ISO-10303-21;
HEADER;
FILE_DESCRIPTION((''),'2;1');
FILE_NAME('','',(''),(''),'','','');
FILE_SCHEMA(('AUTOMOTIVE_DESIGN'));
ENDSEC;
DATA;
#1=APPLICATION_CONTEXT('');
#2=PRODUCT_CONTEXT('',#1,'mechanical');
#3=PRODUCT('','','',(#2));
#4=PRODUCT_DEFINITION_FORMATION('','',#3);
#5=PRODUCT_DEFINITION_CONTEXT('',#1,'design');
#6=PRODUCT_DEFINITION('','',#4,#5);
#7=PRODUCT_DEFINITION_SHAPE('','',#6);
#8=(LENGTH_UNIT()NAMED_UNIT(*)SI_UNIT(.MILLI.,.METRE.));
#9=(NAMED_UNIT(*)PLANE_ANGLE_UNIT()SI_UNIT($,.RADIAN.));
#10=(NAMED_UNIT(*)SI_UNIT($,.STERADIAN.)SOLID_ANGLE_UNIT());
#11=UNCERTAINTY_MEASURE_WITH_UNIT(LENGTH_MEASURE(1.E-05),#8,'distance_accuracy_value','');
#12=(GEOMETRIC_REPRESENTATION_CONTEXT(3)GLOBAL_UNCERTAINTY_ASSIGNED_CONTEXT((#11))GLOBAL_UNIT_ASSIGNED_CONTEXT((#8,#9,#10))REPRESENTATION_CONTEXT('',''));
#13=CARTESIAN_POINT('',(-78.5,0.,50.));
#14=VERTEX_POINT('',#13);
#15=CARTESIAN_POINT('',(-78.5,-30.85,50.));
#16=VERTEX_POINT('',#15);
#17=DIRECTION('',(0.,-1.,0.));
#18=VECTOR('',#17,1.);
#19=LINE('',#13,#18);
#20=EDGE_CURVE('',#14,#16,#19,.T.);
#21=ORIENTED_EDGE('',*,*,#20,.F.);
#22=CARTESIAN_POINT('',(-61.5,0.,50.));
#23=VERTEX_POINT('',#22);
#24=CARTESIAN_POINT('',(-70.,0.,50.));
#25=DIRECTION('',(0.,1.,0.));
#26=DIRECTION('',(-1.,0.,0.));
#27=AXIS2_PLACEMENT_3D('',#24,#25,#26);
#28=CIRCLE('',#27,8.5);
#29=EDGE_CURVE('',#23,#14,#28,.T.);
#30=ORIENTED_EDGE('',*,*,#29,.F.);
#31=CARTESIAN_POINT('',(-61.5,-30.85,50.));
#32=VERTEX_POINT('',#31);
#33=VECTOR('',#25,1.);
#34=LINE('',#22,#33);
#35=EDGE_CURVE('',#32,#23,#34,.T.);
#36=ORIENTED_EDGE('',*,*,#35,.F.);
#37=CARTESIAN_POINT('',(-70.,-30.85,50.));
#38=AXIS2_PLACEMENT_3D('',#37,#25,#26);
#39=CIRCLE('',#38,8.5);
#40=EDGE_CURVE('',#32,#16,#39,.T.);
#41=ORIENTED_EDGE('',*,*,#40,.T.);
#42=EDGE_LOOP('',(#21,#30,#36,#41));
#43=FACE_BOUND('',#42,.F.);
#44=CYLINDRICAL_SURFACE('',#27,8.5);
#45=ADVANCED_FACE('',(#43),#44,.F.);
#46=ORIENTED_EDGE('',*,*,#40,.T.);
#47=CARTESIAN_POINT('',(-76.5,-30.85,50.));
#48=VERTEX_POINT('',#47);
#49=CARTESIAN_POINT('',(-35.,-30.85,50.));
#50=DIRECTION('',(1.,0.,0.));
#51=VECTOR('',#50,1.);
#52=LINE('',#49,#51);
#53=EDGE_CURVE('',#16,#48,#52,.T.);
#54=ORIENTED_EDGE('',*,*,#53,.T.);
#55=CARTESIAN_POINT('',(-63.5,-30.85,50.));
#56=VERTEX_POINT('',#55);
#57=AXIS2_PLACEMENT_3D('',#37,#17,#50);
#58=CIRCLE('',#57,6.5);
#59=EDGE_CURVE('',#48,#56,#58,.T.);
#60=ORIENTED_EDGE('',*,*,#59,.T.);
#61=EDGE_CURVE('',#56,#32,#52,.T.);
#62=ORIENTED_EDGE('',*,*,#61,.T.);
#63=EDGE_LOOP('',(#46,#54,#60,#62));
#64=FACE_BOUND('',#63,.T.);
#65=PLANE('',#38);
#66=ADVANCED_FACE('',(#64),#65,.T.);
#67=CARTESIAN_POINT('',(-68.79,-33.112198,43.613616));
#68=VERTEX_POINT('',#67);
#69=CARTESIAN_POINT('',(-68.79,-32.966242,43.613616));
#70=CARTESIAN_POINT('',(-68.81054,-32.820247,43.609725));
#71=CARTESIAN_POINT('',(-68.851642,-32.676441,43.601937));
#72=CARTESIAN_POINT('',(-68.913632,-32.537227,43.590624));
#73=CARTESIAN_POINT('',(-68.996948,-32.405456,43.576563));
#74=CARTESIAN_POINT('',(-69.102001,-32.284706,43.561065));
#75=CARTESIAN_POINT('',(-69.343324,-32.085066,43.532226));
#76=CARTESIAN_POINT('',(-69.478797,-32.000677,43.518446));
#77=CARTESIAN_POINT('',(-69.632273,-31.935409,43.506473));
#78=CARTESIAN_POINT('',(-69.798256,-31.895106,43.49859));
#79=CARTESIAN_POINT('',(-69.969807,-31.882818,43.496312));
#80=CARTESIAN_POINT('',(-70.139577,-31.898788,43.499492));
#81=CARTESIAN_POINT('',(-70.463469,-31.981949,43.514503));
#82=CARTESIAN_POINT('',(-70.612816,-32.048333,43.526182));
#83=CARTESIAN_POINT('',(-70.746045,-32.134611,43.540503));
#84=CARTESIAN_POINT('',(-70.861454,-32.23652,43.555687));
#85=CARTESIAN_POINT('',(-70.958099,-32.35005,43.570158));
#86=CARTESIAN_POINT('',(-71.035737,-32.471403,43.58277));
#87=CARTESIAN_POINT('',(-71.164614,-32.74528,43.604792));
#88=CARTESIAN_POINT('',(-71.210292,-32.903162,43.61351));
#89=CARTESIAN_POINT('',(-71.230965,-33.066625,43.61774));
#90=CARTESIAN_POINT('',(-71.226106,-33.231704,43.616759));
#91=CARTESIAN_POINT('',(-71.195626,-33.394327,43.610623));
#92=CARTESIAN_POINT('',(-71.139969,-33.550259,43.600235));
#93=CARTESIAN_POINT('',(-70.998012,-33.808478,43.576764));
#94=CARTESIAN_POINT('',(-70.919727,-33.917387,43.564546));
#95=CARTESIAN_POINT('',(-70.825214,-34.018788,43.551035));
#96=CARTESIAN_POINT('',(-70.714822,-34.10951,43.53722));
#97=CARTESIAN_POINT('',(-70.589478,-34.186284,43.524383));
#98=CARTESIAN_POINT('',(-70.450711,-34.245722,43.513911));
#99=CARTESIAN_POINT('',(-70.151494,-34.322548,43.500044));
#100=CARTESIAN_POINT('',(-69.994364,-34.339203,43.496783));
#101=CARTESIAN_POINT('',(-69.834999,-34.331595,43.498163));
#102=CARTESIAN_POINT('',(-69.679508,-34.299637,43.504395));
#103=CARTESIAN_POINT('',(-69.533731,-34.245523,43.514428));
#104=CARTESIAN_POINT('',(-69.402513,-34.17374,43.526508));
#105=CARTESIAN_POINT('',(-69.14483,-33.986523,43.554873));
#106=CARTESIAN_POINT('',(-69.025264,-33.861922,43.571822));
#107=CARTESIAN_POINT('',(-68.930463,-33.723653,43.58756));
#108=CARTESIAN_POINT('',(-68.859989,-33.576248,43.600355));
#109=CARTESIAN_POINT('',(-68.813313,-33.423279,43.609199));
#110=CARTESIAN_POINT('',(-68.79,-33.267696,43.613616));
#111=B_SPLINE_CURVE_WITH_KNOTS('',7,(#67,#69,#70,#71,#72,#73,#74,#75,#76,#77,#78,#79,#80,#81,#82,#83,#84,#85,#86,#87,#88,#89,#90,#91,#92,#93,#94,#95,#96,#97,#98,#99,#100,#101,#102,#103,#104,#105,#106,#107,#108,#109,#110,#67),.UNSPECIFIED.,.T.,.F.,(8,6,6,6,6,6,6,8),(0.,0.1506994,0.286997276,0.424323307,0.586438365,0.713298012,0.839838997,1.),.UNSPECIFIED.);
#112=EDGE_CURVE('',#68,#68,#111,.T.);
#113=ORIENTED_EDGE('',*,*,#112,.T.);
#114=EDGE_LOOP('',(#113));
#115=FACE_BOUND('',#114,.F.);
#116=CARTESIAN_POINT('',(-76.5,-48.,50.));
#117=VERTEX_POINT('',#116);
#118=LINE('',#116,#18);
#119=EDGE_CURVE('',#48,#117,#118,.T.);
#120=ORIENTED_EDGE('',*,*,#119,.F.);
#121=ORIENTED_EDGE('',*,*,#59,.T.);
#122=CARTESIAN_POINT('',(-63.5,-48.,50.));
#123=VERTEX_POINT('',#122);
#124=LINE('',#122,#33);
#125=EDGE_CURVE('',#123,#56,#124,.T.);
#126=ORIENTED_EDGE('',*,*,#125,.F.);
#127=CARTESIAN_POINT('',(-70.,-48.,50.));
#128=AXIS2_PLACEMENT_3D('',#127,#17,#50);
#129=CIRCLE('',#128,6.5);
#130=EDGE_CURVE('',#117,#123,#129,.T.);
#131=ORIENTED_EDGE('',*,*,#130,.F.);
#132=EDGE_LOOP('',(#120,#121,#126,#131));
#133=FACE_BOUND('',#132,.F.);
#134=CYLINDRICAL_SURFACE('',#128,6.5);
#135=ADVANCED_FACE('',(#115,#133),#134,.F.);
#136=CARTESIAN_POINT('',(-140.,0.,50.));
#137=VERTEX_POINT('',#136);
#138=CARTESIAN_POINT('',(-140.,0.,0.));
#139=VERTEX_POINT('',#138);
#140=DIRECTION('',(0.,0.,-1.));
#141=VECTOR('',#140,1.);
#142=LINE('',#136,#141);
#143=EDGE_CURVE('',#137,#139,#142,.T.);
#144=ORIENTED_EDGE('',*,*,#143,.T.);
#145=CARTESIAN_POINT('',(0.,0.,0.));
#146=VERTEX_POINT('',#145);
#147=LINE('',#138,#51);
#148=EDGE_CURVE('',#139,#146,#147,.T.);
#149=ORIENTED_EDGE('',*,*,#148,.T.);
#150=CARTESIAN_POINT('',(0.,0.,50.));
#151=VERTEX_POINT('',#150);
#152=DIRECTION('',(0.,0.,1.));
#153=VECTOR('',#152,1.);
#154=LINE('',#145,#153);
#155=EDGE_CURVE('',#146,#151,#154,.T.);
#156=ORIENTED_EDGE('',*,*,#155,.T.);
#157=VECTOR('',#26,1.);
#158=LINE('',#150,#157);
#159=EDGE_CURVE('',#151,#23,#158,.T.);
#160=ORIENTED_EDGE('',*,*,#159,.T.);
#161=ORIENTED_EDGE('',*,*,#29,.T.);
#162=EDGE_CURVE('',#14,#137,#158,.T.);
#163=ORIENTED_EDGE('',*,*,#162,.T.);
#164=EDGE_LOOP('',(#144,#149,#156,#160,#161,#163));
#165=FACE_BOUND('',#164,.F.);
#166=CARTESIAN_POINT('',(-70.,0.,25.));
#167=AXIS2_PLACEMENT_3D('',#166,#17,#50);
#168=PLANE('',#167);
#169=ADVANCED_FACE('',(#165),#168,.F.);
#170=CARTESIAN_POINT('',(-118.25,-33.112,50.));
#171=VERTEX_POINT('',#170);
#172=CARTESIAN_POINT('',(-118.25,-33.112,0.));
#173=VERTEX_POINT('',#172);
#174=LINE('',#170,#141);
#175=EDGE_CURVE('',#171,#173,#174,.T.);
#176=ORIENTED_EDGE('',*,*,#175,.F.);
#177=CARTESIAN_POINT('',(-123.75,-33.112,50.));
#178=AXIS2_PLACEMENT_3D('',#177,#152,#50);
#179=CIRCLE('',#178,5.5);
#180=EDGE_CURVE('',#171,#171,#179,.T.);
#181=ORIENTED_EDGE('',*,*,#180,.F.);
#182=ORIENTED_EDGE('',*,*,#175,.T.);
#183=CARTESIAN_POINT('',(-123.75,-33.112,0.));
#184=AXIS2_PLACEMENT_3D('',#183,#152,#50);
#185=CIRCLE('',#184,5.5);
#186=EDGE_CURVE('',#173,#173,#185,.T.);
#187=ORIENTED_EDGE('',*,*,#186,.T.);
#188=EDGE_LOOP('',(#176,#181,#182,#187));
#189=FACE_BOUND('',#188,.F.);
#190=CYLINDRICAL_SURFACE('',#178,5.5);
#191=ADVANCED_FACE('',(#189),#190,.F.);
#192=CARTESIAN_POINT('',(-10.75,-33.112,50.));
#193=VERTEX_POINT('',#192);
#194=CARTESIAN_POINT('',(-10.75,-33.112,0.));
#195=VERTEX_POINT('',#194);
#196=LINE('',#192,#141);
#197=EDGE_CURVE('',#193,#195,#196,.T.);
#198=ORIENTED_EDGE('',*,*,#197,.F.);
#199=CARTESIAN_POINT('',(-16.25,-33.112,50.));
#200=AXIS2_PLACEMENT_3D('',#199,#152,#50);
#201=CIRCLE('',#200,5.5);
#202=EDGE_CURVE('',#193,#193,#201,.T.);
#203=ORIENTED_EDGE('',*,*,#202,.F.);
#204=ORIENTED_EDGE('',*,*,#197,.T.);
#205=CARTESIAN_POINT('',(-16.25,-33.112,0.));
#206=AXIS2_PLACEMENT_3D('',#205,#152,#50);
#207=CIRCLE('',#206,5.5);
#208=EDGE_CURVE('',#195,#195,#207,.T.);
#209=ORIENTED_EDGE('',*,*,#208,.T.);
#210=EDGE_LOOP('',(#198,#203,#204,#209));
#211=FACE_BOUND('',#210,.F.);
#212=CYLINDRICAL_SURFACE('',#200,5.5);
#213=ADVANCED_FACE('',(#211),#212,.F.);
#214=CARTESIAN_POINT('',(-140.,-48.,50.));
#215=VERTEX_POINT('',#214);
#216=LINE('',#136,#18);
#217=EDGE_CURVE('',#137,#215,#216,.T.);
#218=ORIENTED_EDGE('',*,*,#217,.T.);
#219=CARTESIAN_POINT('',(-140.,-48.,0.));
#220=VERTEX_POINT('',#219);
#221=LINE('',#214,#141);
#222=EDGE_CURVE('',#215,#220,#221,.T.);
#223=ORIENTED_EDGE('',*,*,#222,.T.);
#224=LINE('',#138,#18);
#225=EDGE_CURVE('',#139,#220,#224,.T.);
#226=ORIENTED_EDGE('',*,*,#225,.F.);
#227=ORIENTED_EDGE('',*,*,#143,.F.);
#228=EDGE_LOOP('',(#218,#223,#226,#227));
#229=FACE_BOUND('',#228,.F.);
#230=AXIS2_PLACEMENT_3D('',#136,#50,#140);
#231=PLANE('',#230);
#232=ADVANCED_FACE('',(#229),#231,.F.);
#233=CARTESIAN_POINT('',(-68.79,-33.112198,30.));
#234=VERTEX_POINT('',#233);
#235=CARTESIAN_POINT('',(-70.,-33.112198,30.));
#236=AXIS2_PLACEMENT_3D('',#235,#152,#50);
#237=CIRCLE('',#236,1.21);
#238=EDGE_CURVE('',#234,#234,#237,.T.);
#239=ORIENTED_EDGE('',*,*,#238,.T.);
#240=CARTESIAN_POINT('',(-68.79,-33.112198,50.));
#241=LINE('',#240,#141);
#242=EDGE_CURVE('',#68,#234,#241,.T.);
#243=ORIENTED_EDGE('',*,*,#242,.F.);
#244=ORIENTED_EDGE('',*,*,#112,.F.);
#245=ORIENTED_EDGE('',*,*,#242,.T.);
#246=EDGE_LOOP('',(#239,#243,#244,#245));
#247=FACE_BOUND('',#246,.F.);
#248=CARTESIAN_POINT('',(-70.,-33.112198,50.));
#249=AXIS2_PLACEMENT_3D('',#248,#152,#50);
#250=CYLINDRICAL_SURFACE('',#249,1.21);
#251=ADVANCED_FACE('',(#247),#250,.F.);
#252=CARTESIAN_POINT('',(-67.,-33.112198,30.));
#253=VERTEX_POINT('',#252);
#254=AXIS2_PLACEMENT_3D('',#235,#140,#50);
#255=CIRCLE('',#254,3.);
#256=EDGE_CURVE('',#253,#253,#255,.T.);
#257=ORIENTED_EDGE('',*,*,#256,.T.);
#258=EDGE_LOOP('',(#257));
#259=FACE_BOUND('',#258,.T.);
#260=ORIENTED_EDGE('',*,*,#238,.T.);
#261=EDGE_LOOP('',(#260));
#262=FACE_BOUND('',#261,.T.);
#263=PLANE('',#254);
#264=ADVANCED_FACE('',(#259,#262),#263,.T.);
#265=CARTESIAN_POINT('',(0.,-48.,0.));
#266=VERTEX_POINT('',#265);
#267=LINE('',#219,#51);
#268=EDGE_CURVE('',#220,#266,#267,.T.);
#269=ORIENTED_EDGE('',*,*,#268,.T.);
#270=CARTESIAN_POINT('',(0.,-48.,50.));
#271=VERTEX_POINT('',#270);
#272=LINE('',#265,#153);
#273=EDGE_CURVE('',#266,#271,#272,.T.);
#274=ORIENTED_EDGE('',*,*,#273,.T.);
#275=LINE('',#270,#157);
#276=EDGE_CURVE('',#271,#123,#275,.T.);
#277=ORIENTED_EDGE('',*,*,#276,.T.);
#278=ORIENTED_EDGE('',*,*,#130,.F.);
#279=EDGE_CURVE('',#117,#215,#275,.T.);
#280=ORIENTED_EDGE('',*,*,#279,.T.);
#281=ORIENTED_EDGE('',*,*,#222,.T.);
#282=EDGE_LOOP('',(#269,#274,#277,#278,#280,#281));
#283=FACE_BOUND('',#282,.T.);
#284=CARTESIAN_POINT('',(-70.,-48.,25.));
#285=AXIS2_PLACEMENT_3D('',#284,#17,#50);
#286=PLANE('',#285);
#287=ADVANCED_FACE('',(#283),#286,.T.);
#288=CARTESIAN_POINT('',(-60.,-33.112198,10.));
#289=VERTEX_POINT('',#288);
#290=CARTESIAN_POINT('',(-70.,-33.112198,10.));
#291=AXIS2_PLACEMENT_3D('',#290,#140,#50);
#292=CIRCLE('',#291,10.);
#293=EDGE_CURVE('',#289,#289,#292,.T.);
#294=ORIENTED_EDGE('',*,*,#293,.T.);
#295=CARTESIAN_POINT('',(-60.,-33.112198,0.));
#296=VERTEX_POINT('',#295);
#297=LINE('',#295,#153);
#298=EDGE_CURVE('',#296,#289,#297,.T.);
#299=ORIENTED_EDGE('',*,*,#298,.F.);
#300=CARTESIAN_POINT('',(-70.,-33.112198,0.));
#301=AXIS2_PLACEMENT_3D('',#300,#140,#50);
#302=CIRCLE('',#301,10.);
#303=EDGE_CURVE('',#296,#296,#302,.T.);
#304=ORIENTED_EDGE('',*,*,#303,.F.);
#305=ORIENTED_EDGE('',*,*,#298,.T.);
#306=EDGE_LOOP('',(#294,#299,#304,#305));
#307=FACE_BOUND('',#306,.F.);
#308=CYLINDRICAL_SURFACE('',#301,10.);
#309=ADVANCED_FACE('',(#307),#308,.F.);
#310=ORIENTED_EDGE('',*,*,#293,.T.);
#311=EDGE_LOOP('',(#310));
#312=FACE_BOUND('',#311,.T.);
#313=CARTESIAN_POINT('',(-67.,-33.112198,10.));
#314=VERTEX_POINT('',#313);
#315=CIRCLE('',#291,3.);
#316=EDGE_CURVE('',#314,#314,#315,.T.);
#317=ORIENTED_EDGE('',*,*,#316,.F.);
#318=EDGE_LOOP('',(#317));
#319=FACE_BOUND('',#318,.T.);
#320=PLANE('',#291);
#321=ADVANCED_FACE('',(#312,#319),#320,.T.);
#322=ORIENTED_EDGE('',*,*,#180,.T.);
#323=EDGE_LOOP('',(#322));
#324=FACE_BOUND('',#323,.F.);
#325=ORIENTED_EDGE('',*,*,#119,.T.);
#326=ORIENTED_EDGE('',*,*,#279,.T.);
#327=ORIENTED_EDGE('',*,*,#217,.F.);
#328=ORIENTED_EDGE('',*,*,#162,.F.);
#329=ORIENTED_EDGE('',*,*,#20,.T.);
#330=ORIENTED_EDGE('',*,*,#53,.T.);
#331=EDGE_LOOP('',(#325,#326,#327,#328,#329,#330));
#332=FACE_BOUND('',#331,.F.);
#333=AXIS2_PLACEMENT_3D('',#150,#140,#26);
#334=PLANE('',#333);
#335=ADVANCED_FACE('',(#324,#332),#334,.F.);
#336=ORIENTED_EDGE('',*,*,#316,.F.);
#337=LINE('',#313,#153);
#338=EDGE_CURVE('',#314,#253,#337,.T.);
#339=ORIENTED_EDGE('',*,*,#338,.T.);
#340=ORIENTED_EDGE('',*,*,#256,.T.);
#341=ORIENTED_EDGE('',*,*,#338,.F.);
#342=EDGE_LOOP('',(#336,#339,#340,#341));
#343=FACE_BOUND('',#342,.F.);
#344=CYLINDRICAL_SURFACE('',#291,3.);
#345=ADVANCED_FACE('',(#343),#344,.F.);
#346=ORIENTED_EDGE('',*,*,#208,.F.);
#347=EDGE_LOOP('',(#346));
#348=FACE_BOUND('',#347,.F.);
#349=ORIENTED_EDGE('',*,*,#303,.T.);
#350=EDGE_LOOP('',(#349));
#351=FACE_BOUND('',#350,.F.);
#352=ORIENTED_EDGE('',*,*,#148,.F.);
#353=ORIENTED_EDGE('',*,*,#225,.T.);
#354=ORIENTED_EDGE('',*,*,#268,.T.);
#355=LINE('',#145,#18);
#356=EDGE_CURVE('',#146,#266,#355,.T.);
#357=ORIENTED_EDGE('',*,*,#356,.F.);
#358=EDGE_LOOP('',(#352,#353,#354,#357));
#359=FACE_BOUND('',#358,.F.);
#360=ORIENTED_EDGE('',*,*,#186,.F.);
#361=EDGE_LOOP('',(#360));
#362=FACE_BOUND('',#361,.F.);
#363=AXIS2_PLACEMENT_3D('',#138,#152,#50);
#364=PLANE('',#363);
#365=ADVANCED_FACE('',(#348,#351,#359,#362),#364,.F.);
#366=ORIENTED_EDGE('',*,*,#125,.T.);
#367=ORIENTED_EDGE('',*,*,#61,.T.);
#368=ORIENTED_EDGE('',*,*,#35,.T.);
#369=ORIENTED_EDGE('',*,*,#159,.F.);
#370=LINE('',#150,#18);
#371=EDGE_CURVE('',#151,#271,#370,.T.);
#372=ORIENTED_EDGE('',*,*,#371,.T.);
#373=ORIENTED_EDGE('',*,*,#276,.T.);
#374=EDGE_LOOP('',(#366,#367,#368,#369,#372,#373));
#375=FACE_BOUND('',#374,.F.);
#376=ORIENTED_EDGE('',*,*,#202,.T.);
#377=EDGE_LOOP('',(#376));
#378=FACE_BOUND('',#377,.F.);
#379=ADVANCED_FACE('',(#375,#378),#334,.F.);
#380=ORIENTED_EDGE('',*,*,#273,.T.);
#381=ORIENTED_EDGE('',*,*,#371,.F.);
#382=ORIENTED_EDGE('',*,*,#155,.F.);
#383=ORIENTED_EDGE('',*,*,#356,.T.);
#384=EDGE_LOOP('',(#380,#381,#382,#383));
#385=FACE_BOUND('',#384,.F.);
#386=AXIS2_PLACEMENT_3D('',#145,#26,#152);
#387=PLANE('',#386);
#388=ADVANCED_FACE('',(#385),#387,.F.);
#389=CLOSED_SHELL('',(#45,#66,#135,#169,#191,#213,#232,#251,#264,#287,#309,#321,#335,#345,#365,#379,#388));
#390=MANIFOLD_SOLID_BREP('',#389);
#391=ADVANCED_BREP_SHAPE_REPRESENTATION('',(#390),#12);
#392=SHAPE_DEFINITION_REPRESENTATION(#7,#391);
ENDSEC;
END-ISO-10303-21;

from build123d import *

# Parameters (mm, degrees)
F1_DEPTH  = 48
F2_R      = 5.5
F3_DEPTH  = 50.001
F4_R      = 6.5
F5_DEPTH  = 20
F6_R      = 8.5
F7_DEPTH  = 30.85
F8_R      = 1.21
F9_DEPTH  = 50.001
F10_R     = 10
F11_DEPTH = 10
F12_R     = 3
F13_DEPTH = 20


with BuildPart() as f1:
    # F0 (on Front) → F1 (new body)
    with BuildSketch(Plane.XZ):
        Polygon((-140, 0), (0, 0), (0, 50), (-63.5, 50), (-76.5, 50), (-140, 50), align=None)
    extrude(amount=F1_DEPTH)

    # F2 (on face) → F3 (cut, through all)
    with BuildSketch(Plane.XY.offset(50)):
        with Locations((-123.75, -33.112)):
            Circle(F2_R)
        with Locations((-16.25, -33.112)):
            Circle(F2_R)
    extrude(amount=-F3_DEPTH, mode=Mode.SUBTRACT)

    # F4 (on face) → F5 (cut)
    with BuildSketch(Plane.XZ.offset(48)):
        with Locations((-70, 50)):
            Circle(F4_R)
    extrude(amount=-F5_DEPTH, mode=Mode.SUBTRACT)

    # F6 (on face) → F7 (cut)
    with BuildSketch(Plane(origin=(0, 0, 0), x_dir=(-1, 0, 0), z_dir=(0, 1, 0))):
        with Locations((70, 50)):
            Circle(F6_R)
    extrude(amount=-F7_DEPTH, mode=Mode.SUBTRACT)

    # F8 (on face) → F9 (cut, through all)
    with BuildSketch(Plane.XY.offset(50)):
        with Locations((-70, -33.112198)):
            Circle(F8_R)
    extrude(amount=-F9_DEPTH, mode=Mode.SUBTRACT)

    # F10 (on face) → F11 (cut)
    with BuildSketch(Plane(origin=(0, 0, 0), x_dir=(1, 0, 0), z_dir=(0, 0, -1))):
        with Locations((-70, 33.112198)):
            Circle(F10_R)
    extrude(amount=-F11_DEPTH, mode=Mode.SUBTRACT)

    # F12 (on face) → F13 (cut)
    with BuildSketch(Plane(origin=(0, 0, 10), x_dir=(1, 0, 0), z_dir=(0, 0, -1))):
        with Locations((-70, 33.112198)):
            Circle(F12_R)
    extrude(amount=-F13_DEPTH, mode=Mode.SUBTRACT)


solid = f1.part
